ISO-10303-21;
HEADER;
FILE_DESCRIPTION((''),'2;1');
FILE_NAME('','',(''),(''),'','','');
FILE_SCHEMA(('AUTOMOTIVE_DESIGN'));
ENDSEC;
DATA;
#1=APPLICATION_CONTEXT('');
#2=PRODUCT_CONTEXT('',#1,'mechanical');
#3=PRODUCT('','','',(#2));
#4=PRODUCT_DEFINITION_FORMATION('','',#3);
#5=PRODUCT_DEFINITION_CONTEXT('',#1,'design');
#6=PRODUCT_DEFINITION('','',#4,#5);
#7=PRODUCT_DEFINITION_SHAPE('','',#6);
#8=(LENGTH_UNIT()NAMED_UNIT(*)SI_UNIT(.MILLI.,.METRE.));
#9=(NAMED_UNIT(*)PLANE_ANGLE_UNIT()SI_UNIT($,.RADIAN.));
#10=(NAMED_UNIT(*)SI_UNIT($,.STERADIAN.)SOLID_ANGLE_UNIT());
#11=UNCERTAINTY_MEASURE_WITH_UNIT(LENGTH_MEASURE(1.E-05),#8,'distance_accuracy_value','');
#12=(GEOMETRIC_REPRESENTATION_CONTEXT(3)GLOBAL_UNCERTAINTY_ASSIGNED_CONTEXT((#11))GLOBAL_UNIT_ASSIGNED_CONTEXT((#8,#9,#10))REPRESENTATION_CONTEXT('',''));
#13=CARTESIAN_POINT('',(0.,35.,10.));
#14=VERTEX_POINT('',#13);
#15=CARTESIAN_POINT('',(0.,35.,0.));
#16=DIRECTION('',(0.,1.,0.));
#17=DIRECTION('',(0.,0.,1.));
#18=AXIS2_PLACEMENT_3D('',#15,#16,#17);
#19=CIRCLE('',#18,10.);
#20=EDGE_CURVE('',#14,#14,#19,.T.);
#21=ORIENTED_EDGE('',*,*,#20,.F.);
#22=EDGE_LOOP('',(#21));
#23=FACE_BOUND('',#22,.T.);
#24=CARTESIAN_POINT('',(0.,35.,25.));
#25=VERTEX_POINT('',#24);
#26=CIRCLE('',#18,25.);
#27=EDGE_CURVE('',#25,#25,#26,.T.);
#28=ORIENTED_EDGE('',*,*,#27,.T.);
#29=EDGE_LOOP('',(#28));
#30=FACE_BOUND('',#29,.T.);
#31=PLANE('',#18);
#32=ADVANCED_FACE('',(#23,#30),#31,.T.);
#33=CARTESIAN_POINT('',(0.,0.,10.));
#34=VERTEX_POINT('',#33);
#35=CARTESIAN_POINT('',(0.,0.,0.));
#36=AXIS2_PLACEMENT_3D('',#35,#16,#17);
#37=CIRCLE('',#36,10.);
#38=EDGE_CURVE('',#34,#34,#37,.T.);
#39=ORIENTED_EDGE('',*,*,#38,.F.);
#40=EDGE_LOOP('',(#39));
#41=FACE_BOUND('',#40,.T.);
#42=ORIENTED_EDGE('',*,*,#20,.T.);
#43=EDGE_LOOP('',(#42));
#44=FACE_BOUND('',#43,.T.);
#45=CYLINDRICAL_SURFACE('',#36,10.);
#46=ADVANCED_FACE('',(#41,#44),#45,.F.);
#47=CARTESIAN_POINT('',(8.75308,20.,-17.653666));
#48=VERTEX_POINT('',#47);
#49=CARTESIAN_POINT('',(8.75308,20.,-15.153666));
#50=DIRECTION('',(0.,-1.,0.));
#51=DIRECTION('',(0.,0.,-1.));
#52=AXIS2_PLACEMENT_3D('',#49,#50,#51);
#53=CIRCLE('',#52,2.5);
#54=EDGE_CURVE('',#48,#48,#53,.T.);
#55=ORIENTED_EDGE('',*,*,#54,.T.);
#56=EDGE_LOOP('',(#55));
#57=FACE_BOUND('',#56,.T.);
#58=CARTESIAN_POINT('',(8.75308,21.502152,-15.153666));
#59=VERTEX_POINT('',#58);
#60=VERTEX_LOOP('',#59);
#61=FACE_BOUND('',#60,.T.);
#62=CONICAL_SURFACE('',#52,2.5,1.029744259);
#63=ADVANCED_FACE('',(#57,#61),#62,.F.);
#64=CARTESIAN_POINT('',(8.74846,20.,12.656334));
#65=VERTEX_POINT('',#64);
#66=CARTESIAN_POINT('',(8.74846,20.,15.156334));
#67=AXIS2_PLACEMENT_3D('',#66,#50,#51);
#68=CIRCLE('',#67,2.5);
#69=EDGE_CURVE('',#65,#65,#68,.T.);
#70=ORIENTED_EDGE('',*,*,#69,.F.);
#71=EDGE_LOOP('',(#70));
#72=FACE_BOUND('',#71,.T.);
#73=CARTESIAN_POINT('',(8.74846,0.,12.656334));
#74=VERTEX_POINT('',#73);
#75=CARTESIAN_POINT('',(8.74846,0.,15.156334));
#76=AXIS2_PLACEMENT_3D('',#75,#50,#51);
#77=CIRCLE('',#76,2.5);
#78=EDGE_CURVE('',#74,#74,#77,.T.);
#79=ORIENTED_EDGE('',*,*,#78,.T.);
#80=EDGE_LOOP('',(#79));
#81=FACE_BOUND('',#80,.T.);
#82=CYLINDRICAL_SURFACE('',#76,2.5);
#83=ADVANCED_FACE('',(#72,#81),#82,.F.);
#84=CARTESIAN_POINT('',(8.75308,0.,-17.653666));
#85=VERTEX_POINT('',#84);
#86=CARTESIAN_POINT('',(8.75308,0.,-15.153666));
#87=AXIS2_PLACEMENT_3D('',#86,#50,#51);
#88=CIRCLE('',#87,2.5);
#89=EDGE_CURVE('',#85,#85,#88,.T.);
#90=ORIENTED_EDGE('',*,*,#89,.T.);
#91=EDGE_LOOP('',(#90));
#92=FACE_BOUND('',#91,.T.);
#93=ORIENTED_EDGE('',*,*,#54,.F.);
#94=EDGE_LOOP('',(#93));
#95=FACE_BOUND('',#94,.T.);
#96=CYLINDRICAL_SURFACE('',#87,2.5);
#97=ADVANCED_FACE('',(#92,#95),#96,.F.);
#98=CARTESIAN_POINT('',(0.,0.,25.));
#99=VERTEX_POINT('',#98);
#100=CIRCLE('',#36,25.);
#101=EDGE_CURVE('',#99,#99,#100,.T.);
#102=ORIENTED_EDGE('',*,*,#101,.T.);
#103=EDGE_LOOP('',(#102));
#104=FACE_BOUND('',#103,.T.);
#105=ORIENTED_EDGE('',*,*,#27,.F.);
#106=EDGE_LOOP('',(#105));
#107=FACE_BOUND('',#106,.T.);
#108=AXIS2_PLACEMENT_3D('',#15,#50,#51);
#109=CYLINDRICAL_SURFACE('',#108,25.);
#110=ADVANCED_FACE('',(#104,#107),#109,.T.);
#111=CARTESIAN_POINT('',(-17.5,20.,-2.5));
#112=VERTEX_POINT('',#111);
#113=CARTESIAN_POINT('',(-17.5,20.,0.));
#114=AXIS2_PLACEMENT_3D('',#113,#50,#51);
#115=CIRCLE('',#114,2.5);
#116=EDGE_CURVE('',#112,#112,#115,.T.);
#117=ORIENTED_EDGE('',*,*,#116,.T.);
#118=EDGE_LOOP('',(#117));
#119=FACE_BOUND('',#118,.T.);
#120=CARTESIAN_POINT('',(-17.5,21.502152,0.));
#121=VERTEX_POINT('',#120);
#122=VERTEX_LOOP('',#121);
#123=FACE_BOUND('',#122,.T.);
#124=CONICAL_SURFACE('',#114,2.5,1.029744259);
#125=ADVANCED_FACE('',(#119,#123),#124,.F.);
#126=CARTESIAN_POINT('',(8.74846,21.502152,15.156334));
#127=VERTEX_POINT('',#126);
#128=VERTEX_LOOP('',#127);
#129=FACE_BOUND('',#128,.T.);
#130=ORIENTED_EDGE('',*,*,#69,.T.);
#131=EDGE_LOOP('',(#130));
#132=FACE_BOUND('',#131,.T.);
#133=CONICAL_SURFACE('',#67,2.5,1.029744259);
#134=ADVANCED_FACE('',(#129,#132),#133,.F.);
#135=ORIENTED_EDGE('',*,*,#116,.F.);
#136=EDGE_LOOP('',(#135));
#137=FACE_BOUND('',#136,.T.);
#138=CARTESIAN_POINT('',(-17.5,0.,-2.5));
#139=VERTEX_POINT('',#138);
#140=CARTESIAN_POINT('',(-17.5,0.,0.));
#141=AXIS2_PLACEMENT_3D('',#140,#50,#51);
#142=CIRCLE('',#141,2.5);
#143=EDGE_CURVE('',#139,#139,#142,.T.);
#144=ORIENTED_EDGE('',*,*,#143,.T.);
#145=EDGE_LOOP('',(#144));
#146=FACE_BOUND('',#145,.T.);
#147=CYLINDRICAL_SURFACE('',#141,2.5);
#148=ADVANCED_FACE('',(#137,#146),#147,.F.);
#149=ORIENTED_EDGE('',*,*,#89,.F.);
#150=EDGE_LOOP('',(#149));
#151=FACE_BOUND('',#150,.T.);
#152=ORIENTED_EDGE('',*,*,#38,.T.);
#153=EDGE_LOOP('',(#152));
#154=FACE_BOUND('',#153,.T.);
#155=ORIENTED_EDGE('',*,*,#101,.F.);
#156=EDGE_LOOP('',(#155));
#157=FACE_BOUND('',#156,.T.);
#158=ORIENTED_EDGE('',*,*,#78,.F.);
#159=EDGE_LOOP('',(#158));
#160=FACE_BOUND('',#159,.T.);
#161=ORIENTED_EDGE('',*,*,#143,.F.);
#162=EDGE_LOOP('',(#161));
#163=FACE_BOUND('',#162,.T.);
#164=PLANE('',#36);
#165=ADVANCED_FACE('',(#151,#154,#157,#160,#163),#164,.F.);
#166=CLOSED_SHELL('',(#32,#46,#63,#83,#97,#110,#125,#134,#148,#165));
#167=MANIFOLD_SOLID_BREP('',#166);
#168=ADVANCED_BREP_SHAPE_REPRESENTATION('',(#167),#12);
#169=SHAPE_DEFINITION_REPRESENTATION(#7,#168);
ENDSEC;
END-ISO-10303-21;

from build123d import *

# Parameters (mm, degrees)
ESQUISSE2_R             = 25
BOSS_EXTRU_1_DEPTH      = 35
ESQUISSE3_R             = 10
ENL_V_MAT_EXTRU_1_DEPTH = 35
TROU_TARAUD_M62_D       = 5
TROU_TARAUD_M62_DEPTH   = 20
TROU_TARAUD_M62_TIP     = 1.502151548


with BuildPart() as part:
    # Esquisse2 → Boss.-Extru.1 (new body)
    with BuildSketch(Plane(origin=(0, 0, 0), x_dir=(1, 0, 0), z_dir=(0, 1, 0))):
        with Locations(Location((0, 0, 0), (0, 0, 270))):  # turned: the seam where the file's is
            Circle(ESQUISSE2_R)
    extrude(amount=BOSS_EXTRU_1_DEPTH)

    # Esquisse3 → Enlèv. mat.-Extru.1 (cut)
    with BuildSketch(Plane(origin=(0, 35, 0), x_dir=(1, 0, 0), z_dir=(0, 1, 0))):
        with Locations(Location((0, 0, 0), (0, 0, 270))):  # turned: the seam where the file's is
            Circle(ESQUISSE3_R)
    extrude(amount=-ENL_V_MAT_EXTRU_1_DEPTH, mode=Mode.SUBTRACT)

    # Trou taraudé M62
    with Locations(Plane(origin=(0, 0, 0), x_dir=(-1, 0, 0), z_dir=(0, -1, 0))):
        with Locations((17.5, 0), (-8.74846, -15.156333581), (-8.753079729, 15.153666067)):
            Hole(TROU_TARAUD_M62_D / 2, depth=TROU_TARAUD_M62_DEPTH)
            with Locations((0, 0, -(TROU_TARAUD_M62_DEPTH + TROU_TARAUD_M62_TIP / 2))):  # 118° drill point
                Cone(0, TROU_TARAUD_M62_D / 2, TROU_TARAUD_M62_TIP, mode=Mode.SUBTRACT)


solid = part.part
